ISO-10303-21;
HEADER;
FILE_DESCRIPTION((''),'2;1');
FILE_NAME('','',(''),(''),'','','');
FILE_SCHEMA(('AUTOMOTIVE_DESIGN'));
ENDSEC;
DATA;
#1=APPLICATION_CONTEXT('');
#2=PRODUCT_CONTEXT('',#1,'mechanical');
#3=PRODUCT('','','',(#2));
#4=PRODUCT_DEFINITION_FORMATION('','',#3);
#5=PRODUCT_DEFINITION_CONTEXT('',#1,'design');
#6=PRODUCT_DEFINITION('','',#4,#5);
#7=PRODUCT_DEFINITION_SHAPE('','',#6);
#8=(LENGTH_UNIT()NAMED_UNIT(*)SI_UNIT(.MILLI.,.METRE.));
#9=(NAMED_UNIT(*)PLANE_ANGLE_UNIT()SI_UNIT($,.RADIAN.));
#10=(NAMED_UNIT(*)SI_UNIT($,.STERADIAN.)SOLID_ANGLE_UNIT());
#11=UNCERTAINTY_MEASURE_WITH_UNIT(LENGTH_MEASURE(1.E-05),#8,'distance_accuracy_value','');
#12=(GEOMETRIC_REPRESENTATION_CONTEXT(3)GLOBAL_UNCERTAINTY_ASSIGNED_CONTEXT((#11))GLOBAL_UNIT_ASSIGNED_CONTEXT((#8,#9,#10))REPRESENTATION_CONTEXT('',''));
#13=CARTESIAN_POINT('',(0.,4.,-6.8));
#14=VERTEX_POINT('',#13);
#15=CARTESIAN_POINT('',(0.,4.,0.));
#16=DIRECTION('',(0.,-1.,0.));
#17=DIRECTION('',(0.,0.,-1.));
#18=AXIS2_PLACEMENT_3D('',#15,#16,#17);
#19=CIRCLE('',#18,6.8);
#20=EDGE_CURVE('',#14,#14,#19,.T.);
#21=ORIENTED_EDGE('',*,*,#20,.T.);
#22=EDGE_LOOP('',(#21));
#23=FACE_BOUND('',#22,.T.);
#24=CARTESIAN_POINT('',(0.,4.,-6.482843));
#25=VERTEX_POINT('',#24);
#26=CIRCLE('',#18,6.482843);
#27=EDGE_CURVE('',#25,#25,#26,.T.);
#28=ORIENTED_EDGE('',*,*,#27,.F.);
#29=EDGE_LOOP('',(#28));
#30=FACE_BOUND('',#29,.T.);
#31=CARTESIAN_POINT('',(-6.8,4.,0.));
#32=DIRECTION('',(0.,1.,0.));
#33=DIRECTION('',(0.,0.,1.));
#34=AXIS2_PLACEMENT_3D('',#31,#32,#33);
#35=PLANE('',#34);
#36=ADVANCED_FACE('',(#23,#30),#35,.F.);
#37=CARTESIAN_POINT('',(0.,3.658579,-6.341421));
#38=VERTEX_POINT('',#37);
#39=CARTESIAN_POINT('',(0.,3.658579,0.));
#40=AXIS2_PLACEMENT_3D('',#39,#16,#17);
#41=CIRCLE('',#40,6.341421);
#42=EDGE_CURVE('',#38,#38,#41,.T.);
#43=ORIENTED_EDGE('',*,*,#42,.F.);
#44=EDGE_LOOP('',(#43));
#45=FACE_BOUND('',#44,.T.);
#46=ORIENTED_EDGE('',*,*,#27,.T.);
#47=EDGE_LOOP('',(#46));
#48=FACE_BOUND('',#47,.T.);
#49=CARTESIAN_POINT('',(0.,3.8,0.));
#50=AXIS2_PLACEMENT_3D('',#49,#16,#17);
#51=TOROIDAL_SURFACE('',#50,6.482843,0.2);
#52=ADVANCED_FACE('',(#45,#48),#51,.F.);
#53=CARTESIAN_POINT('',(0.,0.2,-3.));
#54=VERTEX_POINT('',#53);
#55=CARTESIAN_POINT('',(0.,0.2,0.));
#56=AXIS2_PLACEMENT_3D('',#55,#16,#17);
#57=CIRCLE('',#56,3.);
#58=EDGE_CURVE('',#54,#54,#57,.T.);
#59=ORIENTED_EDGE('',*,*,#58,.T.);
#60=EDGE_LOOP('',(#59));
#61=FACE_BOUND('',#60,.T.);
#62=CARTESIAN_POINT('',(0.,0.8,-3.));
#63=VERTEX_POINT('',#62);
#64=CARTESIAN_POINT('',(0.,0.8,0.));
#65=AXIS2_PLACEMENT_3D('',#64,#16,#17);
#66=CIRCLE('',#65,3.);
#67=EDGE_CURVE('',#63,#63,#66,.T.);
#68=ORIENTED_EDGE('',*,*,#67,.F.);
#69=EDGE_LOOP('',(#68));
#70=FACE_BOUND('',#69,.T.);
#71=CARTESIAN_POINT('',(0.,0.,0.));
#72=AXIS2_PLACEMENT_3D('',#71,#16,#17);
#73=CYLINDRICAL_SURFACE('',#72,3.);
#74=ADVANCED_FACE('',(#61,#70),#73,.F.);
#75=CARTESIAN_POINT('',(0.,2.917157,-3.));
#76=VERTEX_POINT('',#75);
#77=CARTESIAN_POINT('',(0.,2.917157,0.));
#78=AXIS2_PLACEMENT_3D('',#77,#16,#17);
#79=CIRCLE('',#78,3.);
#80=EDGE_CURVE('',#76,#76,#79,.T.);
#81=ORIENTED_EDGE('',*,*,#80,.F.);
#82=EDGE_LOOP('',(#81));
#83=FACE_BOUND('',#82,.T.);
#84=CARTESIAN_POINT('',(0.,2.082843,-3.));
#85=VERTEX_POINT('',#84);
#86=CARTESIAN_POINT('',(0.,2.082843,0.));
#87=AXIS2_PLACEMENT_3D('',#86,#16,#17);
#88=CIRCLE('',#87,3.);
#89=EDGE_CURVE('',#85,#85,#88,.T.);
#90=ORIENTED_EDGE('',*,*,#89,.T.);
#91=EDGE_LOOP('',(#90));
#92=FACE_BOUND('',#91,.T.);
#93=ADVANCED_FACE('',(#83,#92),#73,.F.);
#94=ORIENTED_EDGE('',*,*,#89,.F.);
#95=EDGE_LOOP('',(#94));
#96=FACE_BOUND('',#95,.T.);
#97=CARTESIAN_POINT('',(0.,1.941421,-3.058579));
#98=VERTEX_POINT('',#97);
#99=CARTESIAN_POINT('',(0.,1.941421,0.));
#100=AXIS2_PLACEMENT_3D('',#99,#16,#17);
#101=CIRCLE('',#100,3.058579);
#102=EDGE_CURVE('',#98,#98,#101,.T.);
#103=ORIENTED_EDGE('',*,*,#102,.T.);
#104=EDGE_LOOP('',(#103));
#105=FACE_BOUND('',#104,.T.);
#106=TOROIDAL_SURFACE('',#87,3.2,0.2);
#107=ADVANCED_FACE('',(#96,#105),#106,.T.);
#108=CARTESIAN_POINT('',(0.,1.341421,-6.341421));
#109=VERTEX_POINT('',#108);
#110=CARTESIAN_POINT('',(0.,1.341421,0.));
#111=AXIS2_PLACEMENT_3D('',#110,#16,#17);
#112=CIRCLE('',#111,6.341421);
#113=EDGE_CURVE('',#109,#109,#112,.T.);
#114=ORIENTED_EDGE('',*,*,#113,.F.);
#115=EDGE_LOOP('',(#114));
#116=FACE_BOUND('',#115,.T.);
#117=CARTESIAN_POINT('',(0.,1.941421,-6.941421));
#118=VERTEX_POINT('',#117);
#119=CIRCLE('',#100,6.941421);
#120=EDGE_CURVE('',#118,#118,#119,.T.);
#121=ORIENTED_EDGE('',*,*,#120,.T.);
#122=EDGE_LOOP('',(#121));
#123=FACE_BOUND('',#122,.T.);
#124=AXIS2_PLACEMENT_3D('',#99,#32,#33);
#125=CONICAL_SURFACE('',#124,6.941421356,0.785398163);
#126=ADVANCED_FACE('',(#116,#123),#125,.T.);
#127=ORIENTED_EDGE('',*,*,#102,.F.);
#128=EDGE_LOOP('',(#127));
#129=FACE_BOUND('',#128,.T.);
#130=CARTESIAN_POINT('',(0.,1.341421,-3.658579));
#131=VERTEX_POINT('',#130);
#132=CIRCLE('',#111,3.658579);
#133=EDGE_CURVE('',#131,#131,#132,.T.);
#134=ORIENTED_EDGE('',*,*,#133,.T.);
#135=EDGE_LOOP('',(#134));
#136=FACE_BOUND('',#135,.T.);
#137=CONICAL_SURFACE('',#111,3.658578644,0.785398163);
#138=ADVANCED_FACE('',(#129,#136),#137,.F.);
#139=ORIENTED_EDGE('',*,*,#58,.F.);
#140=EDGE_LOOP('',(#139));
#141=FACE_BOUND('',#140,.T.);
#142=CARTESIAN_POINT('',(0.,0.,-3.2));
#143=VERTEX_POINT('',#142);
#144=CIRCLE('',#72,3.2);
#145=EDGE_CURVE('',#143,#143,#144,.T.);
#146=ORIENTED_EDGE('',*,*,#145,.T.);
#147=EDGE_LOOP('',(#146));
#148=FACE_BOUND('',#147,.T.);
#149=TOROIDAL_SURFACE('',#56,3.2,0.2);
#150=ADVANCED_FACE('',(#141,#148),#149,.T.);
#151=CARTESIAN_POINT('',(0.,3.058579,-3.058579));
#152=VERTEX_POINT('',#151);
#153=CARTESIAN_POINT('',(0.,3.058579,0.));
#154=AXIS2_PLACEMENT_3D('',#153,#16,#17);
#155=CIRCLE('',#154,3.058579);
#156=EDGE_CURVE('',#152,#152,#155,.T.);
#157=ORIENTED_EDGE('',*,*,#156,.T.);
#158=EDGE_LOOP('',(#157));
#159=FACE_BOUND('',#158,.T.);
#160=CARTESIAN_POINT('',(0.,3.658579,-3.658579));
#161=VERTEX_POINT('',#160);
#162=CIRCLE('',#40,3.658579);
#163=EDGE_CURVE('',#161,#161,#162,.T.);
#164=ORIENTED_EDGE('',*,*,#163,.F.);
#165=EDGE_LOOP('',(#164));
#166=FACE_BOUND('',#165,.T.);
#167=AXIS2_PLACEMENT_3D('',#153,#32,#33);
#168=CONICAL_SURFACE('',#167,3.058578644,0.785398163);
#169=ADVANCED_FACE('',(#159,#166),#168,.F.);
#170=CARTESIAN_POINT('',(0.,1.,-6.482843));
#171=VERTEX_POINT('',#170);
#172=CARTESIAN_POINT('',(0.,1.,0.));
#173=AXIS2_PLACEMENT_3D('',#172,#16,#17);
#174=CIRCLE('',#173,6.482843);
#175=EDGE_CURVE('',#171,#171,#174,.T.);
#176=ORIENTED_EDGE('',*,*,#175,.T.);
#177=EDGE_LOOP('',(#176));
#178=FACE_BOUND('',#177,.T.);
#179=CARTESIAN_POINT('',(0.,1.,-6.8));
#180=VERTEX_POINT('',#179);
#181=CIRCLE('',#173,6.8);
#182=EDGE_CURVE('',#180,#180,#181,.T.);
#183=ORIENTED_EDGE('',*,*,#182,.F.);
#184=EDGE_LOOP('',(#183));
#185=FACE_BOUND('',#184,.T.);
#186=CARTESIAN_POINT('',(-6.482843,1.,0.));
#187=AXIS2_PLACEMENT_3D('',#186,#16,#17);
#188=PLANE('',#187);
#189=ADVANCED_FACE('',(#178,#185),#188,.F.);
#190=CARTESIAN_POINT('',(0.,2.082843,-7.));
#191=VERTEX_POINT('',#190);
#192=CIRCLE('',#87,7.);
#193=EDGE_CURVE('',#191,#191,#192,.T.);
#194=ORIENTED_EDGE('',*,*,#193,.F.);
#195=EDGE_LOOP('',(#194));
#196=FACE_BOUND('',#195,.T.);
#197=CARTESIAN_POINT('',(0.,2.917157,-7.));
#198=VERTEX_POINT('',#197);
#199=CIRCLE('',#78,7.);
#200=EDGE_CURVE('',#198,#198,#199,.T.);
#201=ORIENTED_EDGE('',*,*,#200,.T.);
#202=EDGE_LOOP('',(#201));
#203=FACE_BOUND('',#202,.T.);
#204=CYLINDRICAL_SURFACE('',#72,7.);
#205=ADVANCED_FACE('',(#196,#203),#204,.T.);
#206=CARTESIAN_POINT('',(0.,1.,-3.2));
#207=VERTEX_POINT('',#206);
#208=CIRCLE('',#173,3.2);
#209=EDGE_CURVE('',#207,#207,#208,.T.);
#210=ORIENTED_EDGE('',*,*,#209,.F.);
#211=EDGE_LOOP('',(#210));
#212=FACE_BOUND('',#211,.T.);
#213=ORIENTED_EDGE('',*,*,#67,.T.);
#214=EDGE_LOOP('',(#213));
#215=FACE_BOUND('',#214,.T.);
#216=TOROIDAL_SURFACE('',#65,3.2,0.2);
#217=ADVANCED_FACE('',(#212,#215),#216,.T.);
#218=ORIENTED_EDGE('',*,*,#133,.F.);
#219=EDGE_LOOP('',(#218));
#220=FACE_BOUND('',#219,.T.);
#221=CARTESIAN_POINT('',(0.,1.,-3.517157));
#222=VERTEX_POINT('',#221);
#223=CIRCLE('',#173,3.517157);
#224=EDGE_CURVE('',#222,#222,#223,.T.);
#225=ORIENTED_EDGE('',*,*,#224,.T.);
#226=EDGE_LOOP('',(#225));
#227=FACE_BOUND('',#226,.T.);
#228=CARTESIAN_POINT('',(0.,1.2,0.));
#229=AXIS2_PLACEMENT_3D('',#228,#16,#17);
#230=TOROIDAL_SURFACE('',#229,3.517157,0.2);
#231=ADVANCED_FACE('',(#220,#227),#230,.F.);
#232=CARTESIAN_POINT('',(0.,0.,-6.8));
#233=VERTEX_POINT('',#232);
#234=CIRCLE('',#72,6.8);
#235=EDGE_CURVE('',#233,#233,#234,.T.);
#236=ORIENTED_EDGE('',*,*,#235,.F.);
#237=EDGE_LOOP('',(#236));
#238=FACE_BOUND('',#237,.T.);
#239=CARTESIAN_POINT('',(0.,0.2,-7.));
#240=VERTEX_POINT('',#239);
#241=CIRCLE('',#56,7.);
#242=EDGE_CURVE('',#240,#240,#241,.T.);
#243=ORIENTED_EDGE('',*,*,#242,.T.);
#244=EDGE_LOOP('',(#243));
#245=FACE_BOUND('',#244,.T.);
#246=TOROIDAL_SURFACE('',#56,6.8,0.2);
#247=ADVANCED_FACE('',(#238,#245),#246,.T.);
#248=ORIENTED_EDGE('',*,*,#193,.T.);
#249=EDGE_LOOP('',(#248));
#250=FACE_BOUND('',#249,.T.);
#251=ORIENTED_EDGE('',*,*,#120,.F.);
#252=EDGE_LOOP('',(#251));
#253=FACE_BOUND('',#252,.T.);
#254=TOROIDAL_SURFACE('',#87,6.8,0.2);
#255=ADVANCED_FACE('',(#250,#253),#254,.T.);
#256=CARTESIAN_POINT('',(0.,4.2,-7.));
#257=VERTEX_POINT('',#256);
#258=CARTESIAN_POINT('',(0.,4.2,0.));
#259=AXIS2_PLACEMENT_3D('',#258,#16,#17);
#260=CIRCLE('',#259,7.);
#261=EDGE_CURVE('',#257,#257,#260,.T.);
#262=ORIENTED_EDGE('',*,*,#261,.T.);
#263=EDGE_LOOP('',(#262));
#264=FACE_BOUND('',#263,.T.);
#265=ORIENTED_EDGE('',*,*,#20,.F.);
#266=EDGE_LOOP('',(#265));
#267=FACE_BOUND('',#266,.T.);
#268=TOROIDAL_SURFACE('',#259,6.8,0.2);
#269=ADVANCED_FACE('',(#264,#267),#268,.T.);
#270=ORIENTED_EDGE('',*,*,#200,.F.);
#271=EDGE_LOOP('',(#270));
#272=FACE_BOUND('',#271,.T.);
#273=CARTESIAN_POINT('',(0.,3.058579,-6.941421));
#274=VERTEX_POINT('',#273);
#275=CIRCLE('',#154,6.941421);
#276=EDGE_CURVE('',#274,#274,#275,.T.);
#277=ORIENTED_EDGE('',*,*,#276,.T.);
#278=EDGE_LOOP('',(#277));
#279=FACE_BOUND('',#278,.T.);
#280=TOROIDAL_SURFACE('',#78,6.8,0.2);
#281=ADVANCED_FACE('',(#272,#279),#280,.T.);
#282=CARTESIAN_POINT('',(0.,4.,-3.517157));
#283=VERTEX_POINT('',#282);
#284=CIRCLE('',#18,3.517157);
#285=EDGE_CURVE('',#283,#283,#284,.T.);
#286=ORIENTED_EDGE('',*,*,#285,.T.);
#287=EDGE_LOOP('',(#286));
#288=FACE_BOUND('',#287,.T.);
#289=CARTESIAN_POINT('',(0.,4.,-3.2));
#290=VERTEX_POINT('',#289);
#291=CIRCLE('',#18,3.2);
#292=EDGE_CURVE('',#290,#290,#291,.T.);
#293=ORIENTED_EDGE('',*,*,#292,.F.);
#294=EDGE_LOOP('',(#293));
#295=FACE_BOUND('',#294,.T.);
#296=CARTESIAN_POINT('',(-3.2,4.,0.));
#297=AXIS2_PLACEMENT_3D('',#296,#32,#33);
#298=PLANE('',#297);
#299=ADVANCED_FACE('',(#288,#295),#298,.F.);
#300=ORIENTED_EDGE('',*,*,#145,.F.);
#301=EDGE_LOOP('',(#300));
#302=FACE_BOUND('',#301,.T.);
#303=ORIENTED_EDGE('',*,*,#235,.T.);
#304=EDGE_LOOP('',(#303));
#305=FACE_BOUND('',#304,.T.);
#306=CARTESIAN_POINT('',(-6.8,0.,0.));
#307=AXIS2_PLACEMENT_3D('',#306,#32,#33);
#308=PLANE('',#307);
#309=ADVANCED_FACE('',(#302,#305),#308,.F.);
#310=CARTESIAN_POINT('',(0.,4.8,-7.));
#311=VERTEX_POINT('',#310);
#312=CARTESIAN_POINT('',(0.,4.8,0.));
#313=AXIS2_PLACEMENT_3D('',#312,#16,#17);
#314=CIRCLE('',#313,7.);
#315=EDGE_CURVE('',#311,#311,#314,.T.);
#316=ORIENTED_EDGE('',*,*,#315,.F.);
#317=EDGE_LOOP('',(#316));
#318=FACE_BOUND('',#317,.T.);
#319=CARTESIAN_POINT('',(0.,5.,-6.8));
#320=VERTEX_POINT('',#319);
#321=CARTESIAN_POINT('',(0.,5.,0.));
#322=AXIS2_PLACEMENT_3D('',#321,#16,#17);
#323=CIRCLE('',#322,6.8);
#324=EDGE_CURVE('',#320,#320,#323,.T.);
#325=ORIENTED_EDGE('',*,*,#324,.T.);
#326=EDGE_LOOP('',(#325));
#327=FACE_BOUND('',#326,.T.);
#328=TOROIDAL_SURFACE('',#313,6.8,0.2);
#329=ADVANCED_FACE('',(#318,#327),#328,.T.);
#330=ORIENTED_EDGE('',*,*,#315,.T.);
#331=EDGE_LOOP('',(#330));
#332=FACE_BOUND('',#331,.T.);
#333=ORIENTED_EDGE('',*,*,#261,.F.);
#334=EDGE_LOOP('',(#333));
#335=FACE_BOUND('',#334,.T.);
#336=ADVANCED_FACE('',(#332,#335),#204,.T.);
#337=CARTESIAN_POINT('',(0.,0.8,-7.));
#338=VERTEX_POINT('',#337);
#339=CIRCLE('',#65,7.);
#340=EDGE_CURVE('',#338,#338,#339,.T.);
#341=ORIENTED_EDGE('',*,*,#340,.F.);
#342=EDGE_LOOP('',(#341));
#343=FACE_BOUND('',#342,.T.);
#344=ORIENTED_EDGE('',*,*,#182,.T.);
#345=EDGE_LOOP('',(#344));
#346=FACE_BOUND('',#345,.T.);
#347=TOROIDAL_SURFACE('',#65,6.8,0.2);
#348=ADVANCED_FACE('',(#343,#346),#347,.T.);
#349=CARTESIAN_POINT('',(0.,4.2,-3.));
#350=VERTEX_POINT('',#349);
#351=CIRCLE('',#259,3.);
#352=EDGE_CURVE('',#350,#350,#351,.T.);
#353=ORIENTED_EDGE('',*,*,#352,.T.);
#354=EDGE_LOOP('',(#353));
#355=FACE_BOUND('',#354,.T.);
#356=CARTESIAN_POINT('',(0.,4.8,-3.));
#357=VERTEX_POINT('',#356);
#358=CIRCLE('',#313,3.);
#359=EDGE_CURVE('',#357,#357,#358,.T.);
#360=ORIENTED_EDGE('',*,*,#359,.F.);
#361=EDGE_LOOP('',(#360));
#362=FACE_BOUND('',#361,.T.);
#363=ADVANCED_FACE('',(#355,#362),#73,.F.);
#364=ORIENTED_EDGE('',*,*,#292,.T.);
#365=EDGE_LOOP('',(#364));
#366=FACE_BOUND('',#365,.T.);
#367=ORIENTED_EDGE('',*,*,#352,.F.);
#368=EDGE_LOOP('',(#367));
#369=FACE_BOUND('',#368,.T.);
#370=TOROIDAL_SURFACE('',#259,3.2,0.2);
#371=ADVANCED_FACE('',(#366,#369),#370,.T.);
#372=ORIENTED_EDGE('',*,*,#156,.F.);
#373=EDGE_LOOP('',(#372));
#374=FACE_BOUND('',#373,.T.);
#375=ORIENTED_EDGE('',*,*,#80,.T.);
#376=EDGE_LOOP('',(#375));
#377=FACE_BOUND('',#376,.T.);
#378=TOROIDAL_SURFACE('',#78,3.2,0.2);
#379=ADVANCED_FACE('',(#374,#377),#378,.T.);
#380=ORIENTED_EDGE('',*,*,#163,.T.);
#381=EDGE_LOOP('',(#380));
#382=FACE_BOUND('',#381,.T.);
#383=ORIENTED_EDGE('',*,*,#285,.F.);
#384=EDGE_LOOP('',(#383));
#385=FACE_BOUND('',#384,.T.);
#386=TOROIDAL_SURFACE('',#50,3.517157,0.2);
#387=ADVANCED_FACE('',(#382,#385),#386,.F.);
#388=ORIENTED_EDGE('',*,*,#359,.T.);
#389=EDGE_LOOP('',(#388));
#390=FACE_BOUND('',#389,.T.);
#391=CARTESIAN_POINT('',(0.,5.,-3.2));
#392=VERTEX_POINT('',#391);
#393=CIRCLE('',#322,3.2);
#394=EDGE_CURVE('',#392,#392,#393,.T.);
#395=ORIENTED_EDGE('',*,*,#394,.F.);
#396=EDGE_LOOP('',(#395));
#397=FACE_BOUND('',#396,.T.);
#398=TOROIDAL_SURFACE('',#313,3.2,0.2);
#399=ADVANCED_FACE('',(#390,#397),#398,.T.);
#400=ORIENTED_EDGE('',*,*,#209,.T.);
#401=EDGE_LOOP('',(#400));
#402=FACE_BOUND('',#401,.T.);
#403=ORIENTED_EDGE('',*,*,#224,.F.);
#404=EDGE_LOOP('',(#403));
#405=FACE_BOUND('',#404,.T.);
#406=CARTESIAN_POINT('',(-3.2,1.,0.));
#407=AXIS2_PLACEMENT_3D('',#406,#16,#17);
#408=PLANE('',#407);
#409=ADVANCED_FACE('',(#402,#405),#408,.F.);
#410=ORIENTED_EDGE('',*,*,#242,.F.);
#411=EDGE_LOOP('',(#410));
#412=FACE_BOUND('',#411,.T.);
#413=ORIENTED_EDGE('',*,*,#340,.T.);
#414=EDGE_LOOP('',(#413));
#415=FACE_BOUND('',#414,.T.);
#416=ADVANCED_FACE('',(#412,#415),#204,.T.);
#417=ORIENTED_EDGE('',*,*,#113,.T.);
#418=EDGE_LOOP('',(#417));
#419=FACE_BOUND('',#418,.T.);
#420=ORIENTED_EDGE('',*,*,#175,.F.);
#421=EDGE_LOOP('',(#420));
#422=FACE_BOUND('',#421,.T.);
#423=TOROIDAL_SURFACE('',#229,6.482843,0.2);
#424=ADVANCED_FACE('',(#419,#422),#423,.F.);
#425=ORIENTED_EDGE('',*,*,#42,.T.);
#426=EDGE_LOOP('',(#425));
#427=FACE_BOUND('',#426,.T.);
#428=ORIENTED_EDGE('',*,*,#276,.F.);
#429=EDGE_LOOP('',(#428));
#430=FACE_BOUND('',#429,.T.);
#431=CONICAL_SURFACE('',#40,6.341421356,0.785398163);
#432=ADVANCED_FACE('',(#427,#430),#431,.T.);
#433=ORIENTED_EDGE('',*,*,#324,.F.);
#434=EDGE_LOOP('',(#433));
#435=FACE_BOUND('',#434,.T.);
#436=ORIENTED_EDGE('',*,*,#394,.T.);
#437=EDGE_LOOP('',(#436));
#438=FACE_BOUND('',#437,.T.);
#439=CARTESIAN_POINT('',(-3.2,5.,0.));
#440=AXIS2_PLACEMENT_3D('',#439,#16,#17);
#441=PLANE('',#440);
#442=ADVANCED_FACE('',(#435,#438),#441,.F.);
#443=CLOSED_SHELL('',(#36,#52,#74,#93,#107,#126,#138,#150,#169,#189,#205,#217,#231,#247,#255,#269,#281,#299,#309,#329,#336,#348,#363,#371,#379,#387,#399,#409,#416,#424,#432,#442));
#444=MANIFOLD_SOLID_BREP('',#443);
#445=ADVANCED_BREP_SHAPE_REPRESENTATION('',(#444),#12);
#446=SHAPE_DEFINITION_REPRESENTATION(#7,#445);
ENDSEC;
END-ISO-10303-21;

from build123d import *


with BuildPart() as part:
    # 草图1 → 旋转1 (revolve)
    with BuildSketch(Plane.XY, mode=Mode.PRIVATE) as revolve_1_sk:
        with BuildLine():
            Line((-3, 0.2), (-3, 0.8))
            ThreePointArc((-3, 0.8), (-3.058578644, 0.941421356), (-3.2, 1))
            Line((-3.2, 1), (-3.517157288, 1))
            ThreePointArc((-3.517157288, 1), (-3.701933194, 1.123463314), (-3.658578644, 1.341421356))
            Line((-3.658578644, 1.341421356), (-3.058578644, 1.941421356))
            ThreePointArc((-3.058578644, 1.941421356), (-3.015224093, 2.006306026), (-3, 2.082842712))
            Line((-3, 2.082842712), (-3, 2.917157288))
            ThreePointArc((-3, 2.917157288), (-3.015224093, 2.993693974), (-3.058578644, 3.058578644))
            Line((-3.058578644, 3.058578644), (-3.658578644, 3.658578644))
            ThreePointArc((-3.658578644, 3.658578644), (-3.701933194, 3.876536686), (-3.517157288, 4))
            Line((-3.517157288, 4), (-3.2, 4))
            ThreePointArc((-3.2, 4), (-3.058578644, 4.058578644), (-3, 4.2))
            Line((-3, 4.2), (-3, 4.8))
            ThreePointArc((-3, 4.8), (-3.058578644, 4.941421356), (-3.2, 5))
            Line((-3.2, 5), (-6.8, 5))
            ThreePointArc((-6.8, 5), (-6.941421356, 4.941421356), (-7, 4.8))
            Line((-7, 4.8), (-7, 4.2))
            ThreePointArc((-7, 4.2), (-6.941421356, 4.058578644), (-6.8, 4))
            Line((-6.8, 4), (-6.482842712, 4))
            ThreePointArc((-6.482842712, 4), (-6.298066806, 3.876536686), (-6.341421356, 3.658578644))
            Line((-6.341421356, 3.658578644), (-6.941421356, 3.058578644))
            ThreePointArc((-6.941421356, 3.058578644), (-6.984775907, 2.993693974), (-7, 2.917157288))
            Line((-7, 2.917157288), (-7, 2.082842712))
            ThreePointArc((-7, 2.082842712), (-6.984775907, 2.006306026), (-6.941421356, 1.941421356))
            Line((-6.941421356, 1.941421356), (-6.341421356, 1.341421356))
            ThreePointArc((-6.341421356, 1.341421356), (-6.298066806, 1.123463314), (-6.482842712, 1))
            Line((-6.482842712, 1), (-6.8, 1))
            ThreePointArc((-6.8, 1), (-6.941421356, 0.941421356), (-7, 0.8))
            Line((-7, 0.8), (-7, 0.2))
            ThreePointArc((-7, 0.2), (-6.941421356, 0.058578644), (-6.8, 0))
            Line((-6.8, 0), (-3.2, 0))
            ThreePointArc((-3.2, 0), (-3.058578644, 0.058578644), (-3, 0.2))
        make_face()
    revolve(revolve_1_sk.sketch.rotate(Axis((0, 0, 0), (0, 1, 0)), 270), axis=Axis((0, 0, 0), (0, 1, 0)))


solid = part.part
